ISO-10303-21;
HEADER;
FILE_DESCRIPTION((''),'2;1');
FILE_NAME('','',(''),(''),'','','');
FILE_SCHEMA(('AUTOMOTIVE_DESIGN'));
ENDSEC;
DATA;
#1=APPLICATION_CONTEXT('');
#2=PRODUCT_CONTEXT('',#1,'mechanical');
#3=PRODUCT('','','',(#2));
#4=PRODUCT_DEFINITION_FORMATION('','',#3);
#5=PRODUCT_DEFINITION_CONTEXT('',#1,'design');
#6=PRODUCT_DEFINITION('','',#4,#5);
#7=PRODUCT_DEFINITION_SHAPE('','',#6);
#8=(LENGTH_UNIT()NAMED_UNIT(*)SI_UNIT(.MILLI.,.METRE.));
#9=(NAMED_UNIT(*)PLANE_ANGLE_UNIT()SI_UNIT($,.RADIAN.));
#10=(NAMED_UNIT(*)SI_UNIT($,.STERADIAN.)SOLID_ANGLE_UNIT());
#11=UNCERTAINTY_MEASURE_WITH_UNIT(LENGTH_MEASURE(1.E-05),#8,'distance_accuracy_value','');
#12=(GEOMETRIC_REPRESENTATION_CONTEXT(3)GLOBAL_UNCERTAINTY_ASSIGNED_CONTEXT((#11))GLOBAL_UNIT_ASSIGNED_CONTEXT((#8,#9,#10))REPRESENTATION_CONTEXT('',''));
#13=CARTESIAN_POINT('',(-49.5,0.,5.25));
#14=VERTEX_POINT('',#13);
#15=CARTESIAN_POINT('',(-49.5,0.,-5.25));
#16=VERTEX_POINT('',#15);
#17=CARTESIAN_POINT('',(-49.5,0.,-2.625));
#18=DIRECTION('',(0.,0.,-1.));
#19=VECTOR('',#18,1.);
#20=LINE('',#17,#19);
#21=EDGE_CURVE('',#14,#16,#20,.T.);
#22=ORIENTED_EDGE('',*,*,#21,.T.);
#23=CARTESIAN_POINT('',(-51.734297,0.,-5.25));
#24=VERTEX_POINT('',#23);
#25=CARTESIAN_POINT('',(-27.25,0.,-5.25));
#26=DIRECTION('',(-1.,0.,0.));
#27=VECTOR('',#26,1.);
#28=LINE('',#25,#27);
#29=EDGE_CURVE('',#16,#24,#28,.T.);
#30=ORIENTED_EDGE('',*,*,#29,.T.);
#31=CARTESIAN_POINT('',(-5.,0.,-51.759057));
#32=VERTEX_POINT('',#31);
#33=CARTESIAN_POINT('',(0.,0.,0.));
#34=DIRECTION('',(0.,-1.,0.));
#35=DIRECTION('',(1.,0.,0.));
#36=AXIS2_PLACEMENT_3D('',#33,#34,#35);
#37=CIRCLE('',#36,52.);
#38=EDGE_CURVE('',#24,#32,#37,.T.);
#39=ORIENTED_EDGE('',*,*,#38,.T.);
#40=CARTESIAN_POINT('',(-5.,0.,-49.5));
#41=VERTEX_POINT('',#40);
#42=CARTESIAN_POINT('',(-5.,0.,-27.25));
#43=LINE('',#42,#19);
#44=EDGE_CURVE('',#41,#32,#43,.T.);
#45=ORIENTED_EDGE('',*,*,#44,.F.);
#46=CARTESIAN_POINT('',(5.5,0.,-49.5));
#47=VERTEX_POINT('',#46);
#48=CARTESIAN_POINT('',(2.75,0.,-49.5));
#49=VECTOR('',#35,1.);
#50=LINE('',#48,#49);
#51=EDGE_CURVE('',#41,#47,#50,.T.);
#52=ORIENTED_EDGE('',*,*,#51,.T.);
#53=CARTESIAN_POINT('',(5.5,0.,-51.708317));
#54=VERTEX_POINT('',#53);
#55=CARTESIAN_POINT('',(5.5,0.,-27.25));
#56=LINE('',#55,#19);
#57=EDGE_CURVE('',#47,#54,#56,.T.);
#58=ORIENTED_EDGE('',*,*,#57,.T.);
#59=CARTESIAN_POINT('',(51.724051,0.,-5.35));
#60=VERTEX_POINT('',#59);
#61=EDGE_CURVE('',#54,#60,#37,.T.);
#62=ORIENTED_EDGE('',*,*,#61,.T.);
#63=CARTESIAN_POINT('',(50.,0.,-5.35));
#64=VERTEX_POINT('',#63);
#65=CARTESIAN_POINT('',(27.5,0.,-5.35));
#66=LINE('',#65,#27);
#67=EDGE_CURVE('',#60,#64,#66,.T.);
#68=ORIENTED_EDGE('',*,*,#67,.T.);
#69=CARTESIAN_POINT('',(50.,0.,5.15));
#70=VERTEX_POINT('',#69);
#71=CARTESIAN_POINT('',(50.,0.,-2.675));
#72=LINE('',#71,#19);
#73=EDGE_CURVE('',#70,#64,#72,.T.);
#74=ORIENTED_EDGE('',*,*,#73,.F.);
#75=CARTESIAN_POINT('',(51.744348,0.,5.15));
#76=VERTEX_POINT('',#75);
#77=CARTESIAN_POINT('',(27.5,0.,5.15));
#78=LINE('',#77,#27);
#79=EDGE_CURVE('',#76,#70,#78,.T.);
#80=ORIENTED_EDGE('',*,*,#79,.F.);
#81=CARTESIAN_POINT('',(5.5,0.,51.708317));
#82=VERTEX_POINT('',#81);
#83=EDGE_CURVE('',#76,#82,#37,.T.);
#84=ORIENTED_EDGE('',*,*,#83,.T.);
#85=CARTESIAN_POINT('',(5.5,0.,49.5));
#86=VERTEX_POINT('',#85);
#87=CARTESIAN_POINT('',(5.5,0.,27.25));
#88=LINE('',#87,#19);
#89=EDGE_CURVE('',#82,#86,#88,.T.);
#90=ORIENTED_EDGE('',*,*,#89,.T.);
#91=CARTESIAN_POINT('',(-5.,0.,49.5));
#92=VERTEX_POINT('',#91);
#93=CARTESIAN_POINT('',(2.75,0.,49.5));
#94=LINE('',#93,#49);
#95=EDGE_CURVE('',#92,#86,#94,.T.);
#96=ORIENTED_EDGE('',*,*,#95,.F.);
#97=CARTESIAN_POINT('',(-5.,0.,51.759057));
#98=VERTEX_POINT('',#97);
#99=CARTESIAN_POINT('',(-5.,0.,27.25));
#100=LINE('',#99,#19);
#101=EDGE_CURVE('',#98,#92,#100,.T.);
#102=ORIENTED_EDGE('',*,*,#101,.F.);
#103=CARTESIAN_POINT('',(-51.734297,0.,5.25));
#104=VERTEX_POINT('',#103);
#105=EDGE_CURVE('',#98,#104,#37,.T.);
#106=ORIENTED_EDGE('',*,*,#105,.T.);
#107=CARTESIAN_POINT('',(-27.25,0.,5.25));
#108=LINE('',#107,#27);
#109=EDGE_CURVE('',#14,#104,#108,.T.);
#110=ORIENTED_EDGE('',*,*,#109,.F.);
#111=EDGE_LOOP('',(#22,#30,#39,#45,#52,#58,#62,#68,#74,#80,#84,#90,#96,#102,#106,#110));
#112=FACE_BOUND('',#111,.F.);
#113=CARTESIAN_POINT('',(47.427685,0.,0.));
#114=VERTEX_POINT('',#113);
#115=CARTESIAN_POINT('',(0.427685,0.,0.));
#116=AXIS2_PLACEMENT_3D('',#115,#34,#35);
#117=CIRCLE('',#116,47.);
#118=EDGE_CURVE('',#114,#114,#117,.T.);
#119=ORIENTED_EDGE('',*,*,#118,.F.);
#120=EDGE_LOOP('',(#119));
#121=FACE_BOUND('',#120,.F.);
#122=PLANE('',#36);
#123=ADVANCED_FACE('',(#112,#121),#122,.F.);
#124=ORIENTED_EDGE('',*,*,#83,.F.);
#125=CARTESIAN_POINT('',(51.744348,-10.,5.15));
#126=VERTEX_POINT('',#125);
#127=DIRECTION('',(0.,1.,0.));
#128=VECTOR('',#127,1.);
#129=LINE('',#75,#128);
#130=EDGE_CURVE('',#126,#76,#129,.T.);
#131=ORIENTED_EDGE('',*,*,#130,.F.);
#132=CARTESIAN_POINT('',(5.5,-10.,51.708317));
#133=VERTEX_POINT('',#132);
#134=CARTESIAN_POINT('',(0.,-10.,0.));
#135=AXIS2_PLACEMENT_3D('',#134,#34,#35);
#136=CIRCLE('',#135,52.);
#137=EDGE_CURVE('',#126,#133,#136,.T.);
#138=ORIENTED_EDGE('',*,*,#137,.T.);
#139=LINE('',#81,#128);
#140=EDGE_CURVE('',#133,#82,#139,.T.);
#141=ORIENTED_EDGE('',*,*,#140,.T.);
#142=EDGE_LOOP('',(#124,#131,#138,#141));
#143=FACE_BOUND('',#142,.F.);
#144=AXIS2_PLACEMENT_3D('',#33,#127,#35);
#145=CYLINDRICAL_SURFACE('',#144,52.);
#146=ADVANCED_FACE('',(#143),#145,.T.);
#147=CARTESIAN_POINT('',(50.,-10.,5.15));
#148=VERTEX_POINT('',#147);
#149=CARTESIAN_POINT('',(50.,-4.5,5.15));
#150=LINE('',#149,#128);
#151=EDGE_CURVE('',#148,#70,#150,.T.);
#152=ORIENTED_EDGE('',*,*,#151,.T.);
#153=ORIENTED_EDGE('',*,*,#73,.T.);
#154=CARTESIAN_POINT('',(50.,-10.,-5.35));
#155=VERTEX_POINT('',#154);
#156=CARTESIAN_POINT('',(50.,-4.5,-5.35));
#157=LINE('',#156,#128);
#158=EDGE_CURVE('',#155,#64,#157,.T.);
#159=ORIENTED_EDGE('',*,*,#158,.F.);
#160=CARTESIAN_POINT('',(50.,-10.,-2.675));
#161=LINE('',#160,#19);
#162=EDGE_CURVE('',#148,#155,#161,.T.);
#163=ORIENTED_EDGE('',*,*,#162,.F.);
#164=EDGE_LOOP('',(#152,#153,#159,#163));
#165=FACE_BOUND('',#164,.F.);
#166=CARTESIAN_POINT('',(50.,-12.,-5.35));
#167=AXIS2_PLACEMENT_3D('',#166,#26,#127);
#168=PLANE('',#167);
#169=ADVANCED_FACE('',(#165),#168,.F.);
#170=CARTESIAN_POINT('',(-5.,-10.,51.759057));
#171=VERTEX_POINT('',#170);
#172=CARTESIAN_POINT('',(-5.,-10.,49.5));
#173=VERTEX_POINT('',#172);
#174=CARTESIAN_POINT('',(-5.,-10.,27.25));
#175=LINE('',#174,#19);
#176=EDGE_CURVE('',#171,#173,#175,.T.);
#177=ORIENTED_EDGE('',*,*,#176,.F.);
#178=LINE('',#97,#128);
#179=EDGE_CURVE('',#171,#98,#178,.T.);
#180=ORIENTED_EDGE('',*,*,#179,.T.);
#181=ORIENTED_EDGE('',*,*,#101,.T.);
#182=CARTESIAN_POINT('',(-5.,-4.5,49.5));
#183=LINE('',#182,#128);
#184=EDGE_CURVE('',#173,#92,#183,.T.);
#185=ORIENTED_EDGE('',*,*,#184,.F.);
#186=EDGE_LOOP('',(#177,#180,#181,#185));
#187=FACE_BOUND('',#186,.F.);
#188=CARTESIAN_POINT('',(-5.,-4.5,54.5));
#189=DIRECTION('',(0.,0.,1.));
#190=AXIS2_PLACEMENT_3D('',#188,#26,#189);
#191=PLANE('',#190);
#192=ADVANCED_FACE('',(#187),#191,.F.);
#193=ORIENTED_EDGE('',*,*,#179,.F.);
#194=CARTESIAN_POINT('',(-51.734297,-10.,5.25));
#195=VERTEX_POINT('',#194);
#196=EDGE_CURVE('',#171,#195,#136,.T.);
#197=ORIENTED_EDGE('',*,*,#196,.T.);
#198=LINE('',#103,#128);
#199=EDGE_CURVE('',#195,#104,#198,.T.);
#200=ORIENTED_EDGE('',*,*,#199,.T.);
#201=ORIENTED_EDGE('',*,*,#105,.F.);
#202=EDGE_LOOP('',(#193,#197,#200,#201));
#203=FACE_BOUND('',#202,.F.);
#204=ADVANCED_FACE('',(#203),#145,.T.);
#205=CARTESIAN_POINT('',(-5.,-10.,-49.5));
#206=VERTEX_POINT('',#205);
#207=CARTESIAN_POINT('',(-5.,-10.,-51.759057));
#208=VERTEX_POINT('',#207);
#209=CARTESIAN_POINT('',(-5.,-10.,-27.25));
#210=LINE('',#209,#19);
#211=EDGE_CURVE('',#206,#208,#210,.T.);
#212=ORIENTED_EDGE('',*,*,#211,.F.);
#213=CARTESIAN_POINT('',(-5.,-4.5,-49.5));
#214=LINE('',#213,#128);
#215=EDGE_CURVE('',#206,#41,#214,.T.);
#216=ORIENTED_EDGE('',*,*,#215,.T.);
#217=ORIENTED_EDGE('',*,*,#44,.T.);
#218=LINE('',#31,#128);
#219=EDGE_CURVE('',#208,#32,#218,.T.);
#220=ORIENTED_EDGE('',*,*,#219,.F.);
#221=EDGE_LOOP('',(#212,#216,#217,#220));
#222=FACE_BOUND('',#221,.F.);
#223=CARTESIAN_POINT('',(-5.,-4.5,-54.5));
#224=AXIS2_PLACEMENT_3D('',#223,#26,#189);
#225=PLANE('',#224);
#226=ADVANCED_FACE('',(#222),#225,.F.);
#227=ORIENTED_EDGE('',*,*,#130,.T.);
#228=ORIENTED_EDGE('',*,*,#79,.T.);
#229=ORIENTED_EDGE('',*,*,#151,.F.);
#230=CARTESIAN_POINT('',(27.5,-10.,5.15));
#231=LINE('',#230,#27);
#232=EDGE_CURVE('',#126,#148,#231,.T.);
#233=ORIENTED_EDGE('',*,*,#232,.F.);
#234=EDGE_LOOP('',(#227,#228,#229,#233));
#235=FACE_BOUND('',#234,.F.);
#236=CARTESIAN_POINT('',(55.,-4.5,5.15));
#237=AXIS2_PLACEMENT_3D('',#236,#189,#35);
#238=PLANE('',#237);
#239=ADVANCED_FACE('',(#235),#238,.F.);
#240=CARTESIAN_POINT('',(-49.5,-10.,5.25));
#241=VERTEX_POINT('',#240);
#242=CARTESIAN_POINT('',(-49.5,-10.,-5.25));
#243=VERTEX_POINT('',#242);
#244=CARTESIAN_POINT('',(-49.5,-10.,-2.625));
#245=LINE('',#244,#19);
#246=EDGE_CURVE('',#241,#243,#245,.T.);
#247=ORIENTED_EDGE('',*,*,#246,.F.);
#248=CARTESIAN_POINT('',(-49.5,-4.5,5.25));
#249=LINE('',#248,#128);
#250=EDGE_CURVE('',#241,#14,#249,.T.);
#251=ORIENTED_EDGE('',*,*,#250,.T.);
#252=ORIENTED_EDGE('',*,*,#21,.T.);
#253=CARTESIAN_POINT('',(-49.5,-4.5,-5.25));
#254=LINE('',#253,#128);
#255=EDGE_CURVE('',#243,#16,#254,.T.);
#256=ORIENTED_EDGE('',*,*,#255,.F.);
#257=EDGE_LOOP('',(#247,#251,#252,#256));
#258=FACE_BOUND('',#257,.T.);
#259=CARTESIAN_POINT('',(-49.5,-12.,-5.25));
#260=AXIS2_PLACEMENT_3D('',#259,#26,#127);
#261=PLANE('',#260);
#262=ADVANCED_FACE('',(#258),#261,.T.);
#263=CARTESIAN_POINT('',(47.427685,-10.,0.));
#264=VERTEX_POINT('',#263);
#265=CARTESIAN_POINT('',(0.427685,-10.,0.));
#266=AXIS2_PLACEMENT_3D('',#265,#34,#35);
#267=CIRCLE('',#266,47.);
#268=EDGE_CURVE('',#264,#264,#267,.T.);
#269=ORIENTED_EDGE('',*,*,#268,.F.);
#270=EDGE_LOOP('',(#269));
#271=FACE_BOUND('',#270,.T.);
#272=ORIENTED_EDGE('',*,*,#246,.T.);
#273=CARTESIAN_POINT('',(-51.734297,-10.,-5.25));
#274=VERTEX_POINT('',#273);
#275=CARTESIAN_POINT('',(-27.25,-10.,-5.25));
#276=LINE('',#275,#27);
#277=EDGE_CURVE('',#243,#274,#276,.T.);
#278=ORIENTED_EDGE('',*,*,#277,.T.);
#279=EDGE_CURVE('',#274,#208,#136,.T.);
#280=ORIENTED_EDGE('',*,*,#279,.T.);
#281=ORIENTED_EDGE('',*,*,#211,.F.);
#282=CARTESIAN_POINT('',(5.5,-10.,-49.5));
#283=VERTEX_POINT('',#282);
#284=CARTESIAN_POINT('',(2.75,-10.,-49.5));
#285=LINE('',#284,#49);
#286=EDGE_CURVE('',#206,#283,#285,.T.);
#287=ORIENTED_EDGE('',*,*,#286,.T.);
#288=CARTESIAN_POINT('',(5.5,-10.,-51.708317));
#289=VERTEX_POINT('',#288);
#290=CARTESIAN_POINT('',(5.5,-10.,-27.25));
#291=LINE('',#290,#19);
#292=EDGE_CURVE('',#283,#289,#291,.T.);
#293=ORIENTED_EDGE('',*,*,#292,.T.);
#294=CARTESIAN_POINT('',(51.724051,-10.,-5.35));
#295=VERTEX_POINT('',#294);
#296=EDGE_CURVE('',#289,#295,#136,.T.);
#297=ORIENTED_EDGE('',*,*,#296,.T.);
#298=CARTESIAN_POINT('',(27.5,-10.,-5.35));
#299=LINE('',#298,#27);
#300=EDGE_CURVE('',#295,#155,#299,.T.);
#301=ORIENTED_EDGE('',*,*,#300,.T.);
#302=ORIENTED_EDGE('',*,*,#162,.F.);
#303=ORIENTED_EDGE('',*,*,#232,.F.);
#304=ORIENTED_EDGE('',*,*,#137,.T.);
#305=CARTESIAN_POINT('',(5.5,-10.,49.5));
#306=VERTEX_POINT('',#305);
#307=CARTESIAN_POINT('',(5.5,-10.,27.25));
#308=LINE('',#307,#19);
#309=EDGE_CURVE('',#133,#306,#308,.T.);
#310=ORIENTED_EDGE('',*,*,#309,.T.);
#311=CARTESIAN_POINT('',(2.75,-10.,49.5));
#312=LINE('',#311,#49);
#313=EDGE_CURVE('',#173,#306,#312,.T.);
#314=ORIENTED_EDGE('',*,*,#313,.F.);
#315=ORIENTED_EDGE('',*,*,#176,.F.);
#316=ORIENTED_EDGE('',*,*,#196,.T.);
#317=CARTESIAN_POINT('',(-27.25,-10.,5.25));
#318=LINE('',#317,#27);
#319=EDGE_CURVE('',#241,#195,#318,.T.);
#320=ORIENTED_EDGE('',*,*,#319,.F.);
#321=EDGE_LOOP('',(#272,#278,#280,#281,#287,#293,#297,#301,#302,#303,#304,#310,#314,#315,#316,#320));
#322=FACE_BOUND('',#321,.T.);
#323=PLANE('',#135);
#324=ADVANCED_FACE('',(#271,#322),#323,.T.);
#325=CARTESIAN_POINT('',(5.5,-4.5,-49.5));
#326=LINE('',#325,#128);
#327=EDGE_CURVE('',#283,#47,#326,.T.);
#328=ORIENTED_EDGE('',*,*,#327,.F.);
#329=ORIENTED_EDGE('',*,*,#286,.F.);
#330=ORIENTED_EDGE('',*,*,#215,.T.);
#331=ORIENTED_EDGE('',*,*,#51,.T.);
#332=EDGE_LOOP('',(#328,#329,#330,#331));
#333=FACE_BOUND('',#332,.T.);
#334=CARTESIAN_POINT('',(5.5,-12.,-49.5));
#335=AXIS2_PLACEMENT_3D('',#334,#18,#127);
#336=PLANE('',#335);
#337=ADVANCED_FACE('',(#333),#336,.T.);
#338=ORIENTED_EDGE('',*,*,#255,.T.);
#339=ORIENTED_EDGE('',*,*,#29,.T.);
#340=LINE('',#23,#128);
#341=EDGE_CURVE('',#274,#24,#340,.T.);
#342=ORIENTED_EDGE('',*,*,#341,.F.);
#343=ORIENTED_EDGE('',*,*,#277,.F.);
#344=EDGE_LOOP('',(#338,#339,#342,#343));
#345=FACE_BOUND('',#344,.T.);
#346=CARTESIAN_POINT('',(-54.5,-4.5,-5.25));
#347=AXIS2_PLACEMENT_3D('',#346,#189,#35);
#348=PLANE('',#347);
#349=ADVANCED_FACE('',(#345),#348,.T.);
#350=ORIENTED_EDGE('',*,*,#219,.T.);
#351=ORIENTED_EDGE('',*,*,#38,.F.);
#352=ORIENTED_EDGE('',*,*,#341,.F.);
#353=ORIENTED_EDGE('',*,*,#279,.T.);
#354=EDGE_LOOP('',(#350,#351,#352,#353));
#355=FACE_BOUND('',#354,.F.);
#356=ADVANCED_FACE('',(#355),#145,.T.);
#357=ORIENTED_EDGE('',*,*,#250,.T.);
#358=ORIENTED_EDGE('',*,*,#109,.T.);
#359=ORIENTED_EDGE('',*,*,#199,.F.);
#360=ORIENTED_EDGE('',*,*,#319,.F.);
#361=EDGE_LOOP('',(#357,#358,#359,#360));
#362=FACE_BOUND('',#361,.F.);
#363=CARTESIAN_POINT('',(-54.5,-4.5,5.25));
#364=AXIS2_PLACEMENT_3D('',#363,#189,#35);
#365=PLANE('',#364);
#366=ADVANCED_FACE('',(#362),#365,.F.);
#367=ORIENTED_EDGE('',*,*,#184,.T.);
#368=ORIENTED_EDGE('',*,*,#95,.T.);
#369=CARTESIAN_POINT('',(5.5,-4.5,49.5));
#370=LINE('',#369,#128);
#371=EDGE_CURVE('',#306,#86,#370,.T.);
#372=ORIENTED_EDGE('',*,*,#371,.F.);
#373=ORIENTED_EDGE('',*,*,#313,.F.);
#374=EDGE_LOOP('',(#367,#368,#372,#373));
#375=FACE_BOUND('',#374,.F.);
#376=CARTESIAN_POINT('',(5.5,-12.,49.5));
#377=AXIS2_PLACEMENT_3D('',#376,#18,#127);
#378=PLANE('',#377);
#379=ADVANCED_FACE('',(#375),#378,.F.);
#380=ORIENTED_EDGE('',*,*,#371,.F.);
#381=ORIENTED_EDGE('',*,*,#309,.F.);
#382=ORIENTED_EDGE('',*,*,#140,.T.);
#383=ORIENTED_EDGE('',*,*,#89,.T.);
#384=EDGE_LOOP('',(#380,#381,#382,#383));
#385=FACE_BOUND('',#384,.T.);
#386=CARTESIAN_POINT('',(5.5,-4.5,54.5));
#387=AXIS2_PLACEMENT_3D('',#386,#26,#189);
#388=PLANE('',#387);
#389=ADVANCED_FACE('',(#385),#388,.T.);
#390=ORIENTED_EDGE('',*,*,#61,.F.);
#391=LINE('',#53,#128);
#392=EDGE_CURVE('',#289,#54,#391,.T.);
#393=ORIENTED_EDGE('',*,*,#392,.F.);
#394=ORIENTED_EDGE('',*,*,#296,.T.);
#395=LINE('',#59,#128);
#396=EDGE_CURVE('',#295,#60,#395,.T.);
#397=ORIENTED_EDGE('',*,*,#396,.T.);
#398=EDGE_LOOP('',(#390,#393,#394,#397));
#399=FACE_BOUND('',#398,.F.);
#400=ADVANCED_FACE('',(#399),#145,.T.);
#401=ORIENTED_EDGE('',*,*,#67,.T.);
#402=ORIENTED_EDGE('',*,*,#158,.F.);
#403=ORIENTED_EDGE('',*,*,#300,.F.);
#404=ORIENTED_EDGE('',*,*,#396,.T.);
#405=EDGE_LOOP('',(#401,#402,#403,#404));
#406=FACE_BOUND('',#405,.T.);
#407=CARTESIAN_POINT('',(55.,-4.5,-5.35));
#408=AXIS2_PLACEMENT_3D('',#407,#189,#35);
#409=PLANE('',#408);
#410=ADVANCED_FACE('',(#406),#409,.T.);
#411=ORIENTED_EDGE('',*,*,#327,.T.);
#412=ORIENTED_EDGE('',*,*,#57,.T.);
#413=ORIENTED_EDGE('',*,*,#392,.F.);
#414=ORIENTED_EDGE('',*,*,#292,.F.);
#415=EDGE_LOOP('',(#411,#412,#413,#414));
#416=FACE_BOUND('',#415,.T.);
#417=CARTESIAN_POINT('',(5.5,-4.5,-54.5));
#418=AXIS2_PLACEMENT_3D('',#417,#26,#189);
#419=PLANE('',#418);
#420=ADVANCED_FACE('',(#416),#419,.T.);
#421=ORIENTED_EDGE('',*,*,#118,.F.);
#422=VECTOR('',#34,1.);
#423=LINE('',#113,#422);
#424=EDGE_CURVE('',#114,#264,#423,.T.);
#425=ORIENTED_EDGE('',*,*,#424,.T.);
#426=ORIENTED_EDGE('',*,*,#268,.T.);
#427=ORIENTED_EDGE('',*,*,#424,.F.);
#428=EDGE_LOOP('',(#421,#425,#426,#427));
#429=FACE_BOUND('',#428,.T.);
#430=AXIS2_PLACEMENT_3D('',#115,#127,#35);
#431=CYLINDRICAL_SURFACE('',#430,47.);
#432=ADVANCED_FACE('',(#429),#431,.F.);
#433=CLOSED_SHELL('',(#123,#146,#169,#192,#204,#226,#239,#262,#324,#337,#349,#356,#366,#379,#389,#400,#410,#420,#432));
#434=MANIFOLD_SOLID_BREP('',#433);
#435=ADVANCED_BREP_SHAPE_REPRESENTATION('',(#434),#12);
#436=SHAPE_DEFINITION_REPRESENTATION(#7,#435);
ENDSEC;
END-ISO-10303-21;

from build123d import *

# Parameters (mm, degrees)
BOX004_W         = 10
BOX004_H         = 15
BOX004_DEPTH     = 10.5
BOX003_W         = 10
BOX003_H         = 15
BOX003_DEPTH     = 10.5
BOX002_W         = 10
BOX002_H         = 15
BOX002_DEPTH     = 10.5
BOX001_W         = 10
BOX001_H         = 15
BOX001_DEPTH     = 10.5
SKETCH017_R      = 52
SKETCH017_R_2    = 47
EXTRUDE004_DEPTH = 10


with BuildPart() as cube004:
    # Box004 → Box004 (new body)
    with BuildSketch(Plane(origin=(5.5, -12, 49.5), x_dir=(0, 0, 1), z_dir=(-1, 0, 0))):
        with Locations((5, 7.5)):
            Rectangle(BOX004_W, BOX004_H)
    extrude(amount=BOX004_DEPTH)


with BuildPart() as cube003:
    # Box003 → Box003 (new body)
    with BuildSketch(Plane(origin=(5.5, -12, -59.5), x_dir=(0, 0, 1), z_dir=(-1, 0, 0))):
        with Locations((5, 7.5)):
            Rectangle(BOX003_W, BOX003_H)
    extrude(amount=BOX003_DEPTH)


with BuildPart() as cube002:
    # Box002 → Box002 (new body)
    with BuildSketch(Plane(origin=(50, -12, -5.35), x_dir=(1, 0, 0), z_dir=(0, 0, 1))):
        with Locations((5, 7.5)):
            Rectangle(BOX002_W, BOX002_H)
    extrude(amount=BOX002_DEPTH)


with BuildPart() as cube001:
    # Box001 → Box001 (new body)
    with BuildSketch(Plane(origin=(-59.5, -12, -5.25), x_dir=(1, 0, 0), z_dir=(0, 0, 1))):
        with Locations((5, 7.5)):
            Rectangle(BOX001_W, BOX001_H)
    extrude(amount=BOX001_DEPTH)


with BuildPart() as brace_jig:
    # Sketch017 → Extrude004 (new body)
    with BuildSketch(Plane.XZ):
        Circle(SKETCH017_R)
        with Locations((0.427685, 0)):
            Circle(SKETCH017_R_2, mode=Mode.SUBTRACT)
    extrude(amount=EXTRUDE004_DEPTH)

    # Cut004: cut Cube001
    add(cube001.part, mode=Mode.SUBTRACT)

    # Cut005: cut Cube002
    add(cube002.part, mode=Mode.SUBTRACT)

    # Cut006: cut Cube003
    add(cube003.part, mode=Mode.SUBTRACT)

    # Cut007: cut Cube004
    add(cube004.part, mode=Mode.SUBTRACT)


solid = brace_jig.part
